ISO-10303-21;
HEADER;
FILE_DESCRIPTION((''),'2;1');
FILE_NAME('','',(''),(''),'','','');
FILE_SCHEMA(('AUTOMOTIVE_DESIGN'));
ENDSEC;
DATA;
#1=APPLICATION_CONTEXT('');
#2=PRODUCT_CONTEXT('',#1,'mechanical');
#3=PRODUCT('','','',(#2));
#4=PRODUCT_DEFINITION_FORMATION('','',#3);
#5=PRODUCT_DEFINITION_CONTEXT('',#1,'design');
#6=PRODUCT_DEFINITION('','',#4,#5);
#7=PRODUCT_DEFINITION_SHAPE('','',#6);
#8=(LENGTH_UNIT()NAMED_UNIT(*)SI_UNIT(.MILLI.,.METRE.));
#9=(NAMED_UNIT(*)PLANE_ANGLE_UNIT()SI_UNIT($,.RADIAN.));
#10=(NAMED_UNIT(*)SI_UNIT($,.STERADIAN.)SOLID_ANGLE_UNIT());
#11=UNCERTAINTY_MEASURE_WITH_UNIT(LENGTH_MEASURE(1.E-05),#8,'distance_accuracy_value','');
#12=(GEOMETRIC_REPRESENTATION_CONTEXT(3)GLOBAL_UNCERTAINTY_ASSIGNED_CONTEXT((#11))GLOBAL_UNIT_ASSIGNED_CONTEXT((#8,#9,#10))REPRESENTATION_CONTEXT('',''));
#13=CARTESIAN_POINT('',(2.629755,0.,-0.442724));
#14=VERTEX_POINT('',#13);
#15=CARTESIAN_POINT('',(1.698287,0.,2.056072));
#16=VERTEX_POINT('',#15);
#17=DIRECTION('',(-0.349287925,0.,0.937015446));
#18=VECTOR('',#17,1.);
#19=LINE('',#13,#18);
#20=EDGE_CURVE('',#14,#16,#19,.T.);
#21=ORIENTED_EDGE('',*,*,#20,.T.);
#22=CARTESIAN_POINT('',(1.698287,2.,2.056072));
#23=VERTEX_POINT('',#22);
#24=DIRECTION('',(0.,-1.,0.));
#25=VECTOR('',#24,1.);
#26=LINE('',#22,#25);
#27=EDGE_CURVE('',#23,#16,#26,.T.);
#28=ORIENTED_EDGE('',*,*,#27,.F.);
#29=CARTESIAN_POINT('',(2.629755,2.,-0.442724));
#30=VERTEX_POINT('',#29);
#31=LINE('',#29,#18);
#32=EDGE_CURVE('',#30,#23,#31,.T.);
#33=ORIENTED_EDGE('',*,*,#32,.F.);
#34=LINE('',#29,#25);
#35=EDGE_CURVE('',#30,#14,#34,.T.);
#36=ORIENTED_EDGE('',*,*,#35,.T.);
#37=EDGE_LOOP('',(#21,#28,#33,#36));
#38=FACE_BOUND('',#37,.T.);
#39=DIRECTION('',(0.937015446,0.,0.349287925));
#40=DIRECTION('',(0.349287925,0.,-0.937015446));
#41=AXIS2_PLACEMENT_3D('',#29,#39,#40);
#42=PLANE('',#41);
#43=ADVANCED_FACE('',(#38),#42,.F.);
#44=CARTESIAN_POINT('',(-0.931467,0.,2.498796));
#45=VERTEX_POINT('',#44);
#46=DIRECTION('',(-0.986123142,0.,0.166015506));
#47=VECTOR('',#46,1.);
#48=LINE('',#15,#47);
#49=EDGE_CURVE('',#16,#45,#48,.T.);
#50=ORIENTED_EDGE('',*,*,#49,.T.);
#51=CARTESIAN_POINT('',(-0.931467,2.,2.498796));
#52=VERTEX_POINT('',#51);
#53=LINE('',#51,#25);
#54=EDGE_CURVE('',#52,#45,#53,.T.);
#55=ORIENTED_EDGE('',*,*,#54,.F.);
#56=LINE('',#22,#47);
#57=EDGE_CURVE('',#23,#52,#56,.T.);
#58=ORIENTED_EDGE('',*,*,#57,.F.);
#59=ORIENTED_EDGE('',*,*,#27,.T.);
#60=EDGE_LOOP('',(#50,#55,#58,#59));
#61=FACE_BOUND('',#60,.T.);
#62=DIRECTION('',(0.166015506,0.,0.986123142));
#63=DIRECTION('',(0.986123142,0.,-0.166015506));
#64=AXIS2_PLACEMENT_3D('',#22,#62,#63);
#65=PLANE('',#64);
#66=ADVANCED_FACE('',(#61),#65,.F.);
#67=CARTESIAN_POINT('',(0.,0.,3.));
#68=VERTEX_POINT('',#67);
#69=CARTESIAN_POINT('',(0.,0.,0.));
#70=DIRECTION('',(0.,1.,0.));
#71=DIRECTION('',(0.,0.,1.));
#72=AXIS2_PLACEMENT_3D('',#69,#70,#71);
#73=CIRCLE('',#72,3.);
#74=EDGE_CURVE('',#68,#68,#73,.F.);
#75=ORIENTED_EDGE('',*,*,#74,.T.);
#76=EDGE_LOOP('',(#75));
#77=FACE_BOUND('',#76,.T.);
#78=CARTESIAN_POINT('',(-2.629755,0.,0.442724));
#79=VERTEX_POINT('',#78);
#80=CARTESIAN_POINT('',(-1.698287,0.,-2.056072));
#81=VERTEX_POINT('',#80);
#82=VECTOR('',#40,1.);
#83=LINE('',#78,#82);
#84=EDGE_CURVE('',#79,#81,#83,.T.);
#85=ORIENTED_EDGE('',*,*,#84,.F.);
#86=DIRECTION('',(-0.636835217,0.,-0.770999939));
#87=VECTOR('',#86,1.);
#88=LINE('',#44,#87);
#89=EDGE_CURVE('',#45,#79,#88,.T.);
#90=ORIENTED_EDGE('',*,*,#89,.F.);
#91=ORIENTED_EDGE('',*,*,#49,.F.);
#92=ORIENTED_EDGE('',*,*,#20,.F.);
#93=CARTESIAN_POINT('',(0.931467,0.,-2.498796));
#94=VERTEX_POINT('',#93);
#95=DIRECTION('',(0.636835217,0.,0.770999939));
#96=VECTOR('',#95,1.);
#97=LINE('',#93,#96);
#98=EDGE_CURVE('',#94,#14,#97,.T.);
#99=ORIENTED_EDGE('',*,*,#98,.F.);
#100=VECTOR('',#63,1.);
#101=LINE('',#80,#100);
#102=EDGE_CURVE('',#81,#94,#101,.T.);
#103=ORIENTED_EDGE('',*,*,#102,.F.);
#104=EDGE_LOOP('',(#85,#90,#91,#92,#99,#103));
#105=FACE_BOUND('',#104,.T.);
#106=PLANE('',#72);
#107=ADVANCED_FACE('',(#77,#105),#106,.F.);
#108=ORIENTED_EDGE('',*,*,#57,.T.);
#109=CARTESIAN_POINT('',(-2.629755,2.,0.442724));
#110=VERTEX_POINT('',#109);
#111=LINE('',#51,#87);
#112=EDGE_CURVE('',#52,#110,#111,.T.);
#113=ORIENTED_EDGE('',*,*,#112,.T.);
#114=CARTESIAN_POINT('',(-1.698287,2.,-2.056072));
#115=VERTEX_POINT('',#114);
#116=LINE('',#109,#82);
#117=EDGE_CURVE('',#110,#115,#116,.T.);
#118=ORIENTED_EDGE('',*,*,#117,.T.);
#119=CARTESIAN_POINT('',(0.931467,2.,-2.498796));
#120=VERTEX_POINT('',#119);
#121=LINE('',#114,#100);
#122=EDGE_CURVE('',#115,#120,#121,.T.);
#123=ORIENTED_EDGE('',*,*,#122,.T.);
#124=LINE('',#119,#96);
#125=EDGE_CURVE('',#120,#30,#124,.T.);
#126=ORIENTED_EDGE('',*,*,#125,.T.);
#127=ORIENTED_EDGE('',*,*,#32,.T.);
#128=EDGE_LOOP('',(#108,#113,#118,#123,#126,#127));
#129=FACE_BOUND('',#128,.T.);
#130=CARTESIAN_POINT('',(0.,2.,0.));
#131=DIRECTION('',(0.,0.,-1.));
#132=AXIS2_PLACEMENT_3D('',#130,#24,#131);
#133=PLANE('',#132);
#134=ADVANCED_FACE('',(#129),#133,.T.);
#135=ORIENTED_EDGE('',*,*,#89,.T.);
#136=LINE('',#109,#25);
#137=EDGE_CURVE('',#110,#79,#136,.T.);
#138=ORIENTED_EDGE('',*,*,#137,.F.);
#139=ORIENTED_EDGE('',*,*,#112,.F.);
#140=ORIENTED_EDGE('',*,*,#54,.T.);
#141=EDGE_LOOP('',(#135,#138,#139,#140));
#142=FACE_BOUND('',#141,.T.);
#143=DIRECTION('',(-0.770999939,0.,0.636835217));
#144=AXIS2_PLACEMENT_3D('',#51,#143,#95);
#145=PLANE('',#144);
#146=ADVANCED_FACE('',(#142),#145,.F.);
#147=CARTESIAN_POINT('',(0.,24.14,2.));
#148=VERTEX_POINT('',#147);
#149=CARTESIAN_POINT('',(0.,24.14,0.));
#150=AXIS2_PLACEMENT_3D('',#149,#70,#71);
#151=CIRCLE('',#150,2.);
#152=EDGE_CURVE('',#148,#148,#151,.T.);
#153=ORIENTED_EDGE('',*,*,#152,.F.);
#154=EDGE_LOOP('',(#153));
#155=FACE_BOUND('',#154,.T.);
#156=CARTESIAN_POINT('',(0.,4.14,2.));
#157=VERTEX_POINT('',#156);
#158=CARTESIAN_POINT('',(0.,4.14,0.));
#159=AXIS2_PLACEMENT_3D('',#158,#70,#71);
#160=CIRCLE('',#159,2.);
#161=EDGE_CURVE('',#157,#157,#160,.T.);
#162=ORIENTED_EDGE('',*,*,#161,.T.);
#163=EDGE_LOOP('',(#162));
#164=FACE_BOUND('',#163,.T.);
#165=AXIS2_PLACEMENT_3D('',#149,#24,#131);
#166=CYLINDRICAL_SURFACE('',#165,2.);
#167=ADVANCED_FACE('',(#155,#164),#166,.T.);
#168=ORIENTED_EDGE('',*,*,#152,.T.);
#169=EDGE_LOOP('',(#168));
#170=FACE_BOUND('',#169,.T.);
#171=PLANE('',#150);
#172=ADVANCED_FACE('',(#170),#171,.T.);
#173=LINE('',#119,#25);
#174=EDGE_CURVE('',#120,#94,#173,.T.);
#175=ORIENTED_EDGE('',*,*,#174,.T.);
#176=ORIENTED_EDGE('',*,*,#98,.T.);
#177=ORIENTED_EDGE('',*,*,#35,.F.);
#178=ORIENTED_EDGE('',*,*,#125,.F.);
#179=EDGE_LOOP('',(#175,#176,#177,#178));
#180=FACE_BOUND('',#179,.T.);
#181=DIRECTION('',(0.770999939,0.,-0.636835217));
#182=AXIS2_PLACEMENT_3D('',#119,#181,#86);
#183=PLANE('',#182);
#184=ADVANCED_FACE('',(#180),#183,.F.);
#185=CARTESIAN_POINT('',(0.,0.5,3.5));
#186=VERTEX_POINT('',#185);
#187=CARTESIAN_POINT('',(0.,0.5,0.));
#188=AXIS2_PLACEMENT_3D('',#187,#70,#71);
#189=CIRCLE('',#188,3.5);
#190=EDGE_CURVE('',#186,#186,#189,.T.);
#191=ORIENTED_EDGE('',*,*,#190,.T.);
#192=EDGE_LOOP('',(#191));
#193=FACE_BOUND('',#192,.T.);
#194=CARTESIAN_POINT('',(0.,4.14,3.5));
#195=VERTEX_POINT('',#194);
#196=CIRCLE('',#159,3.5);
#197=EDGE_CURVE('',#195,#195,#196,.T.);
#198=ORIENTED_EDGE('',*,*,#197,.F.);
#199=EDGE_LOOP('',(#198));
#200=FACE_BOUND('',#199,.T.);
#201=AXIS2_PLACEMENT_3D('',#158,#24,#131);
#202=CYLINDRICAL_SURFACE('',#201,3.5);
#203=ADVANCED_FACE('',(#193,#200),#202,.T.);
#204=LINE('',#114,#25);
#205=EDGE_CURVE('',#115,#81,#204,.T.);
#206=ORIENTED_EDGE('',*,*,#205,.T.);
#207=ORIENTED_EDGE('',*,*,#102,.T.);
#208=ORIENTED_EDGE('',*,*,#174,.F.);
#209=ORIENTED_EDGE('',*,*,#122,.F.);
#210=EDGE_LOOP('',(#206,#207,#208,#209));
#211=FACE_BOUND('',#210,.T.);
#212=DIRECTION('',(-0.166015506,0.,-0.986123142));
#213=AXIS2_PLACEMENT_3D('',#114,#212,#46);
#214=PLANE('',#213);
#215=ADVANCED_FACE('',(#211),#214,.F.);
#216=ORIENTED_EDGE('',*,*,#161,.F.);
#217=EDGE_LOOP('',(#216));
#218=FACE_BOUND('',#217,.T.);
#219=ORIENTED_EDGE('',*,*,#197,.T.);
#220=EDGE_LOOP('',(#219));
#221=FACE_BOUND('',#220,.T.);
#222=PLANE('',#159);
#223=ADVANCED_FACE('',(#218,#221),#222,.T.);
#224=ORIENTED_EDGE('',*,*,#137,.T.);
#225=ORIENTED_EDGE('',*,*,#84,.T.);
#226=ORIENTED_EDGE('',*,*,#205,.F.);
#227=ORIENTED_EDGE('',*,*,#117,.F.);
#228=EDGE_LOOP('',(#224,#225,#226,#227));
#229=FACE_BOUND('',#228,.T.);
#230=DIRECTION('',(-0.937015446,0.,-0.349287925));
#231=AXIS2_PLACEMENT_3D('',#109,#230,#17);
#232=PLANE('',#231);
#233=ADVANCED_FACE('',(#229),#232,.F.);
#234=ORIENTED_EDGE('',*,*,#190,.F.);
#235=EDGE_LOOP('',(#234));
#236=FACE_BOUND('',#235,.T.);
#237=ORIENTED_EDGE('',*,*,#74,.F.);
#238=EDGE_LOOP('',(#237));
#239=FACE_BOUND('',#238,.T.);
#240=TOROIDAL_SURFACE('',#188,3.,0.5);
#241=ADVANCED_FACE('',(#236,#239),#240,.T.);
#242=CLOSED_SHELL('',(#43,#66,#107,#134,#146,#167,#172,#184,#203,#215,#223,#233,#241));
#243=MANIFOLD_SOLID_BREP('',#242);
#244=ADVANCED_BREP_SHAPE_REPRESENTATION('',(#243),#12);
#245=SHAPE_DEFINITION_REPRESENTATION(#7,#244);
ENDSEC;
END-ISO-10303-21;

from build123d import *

# Parameters (mm, degrees)
SKETCH_1_R          = 3.5
EXTRUDE_1_DEPTH     = 4.14
SKETCH_2_R          = 2
EXTRUDE_2_DEPTH     = 20
FILLET_1_R          = 0.5
CUT_EXTRUDE_1_DEPTH = 2


with BuildPart() as part:
    # 草图1 → 凸台-拉伸1 (new body)
    with BuildSketch(Plane(origin=(0, 0, 0), x_dir=(1, 0, 0), z_dir=(0, 1, 0))):
        with Locations(Location((0, 0, 0), (0, 0, 270))):
            Circle(SKETCH_1_R)
    extrude(amount=EXTRUDE_1_DEPTH)

    # 草图2 → 凸台-拉伸2 (add)
    with BuildSketch(Plane(origin=(0, 4.14, 0), x_dir=(1, 0, 0), z_dir=(0, 1, 0))):
        with Locations(Location((0, 0, 0), (0, 0, 270))):
            Circle(SKETCH_2_R)
    extrude(amount=EXTRUDE_2_DEPTH)

    # 圆角1
    fillet_1_edges = [part.edges().sort_by_distance(p)[0] for p in [
        (0, 0, -3.5),
    ]]
    fillet(fillet_1_edges, radius=FILLET_1_R)

    # 草图3 → 切除-拉伸1 (cut)
    with BuildSketch(Plane.XZ):
        Polygon((1.698287208, 2.056072434), (-0.931467356, 2.498796082), (-2.629754564, 0.442723648), (-1.698287208, -2.056072434), (0.931467356, -2.498796082), (2.629754564, -0.442723648), align=None)
    extrude(amount=-CUT_EXTRUDE_1_DEPTH, mode=Mode.SUBTRACT)


solid = part.part
